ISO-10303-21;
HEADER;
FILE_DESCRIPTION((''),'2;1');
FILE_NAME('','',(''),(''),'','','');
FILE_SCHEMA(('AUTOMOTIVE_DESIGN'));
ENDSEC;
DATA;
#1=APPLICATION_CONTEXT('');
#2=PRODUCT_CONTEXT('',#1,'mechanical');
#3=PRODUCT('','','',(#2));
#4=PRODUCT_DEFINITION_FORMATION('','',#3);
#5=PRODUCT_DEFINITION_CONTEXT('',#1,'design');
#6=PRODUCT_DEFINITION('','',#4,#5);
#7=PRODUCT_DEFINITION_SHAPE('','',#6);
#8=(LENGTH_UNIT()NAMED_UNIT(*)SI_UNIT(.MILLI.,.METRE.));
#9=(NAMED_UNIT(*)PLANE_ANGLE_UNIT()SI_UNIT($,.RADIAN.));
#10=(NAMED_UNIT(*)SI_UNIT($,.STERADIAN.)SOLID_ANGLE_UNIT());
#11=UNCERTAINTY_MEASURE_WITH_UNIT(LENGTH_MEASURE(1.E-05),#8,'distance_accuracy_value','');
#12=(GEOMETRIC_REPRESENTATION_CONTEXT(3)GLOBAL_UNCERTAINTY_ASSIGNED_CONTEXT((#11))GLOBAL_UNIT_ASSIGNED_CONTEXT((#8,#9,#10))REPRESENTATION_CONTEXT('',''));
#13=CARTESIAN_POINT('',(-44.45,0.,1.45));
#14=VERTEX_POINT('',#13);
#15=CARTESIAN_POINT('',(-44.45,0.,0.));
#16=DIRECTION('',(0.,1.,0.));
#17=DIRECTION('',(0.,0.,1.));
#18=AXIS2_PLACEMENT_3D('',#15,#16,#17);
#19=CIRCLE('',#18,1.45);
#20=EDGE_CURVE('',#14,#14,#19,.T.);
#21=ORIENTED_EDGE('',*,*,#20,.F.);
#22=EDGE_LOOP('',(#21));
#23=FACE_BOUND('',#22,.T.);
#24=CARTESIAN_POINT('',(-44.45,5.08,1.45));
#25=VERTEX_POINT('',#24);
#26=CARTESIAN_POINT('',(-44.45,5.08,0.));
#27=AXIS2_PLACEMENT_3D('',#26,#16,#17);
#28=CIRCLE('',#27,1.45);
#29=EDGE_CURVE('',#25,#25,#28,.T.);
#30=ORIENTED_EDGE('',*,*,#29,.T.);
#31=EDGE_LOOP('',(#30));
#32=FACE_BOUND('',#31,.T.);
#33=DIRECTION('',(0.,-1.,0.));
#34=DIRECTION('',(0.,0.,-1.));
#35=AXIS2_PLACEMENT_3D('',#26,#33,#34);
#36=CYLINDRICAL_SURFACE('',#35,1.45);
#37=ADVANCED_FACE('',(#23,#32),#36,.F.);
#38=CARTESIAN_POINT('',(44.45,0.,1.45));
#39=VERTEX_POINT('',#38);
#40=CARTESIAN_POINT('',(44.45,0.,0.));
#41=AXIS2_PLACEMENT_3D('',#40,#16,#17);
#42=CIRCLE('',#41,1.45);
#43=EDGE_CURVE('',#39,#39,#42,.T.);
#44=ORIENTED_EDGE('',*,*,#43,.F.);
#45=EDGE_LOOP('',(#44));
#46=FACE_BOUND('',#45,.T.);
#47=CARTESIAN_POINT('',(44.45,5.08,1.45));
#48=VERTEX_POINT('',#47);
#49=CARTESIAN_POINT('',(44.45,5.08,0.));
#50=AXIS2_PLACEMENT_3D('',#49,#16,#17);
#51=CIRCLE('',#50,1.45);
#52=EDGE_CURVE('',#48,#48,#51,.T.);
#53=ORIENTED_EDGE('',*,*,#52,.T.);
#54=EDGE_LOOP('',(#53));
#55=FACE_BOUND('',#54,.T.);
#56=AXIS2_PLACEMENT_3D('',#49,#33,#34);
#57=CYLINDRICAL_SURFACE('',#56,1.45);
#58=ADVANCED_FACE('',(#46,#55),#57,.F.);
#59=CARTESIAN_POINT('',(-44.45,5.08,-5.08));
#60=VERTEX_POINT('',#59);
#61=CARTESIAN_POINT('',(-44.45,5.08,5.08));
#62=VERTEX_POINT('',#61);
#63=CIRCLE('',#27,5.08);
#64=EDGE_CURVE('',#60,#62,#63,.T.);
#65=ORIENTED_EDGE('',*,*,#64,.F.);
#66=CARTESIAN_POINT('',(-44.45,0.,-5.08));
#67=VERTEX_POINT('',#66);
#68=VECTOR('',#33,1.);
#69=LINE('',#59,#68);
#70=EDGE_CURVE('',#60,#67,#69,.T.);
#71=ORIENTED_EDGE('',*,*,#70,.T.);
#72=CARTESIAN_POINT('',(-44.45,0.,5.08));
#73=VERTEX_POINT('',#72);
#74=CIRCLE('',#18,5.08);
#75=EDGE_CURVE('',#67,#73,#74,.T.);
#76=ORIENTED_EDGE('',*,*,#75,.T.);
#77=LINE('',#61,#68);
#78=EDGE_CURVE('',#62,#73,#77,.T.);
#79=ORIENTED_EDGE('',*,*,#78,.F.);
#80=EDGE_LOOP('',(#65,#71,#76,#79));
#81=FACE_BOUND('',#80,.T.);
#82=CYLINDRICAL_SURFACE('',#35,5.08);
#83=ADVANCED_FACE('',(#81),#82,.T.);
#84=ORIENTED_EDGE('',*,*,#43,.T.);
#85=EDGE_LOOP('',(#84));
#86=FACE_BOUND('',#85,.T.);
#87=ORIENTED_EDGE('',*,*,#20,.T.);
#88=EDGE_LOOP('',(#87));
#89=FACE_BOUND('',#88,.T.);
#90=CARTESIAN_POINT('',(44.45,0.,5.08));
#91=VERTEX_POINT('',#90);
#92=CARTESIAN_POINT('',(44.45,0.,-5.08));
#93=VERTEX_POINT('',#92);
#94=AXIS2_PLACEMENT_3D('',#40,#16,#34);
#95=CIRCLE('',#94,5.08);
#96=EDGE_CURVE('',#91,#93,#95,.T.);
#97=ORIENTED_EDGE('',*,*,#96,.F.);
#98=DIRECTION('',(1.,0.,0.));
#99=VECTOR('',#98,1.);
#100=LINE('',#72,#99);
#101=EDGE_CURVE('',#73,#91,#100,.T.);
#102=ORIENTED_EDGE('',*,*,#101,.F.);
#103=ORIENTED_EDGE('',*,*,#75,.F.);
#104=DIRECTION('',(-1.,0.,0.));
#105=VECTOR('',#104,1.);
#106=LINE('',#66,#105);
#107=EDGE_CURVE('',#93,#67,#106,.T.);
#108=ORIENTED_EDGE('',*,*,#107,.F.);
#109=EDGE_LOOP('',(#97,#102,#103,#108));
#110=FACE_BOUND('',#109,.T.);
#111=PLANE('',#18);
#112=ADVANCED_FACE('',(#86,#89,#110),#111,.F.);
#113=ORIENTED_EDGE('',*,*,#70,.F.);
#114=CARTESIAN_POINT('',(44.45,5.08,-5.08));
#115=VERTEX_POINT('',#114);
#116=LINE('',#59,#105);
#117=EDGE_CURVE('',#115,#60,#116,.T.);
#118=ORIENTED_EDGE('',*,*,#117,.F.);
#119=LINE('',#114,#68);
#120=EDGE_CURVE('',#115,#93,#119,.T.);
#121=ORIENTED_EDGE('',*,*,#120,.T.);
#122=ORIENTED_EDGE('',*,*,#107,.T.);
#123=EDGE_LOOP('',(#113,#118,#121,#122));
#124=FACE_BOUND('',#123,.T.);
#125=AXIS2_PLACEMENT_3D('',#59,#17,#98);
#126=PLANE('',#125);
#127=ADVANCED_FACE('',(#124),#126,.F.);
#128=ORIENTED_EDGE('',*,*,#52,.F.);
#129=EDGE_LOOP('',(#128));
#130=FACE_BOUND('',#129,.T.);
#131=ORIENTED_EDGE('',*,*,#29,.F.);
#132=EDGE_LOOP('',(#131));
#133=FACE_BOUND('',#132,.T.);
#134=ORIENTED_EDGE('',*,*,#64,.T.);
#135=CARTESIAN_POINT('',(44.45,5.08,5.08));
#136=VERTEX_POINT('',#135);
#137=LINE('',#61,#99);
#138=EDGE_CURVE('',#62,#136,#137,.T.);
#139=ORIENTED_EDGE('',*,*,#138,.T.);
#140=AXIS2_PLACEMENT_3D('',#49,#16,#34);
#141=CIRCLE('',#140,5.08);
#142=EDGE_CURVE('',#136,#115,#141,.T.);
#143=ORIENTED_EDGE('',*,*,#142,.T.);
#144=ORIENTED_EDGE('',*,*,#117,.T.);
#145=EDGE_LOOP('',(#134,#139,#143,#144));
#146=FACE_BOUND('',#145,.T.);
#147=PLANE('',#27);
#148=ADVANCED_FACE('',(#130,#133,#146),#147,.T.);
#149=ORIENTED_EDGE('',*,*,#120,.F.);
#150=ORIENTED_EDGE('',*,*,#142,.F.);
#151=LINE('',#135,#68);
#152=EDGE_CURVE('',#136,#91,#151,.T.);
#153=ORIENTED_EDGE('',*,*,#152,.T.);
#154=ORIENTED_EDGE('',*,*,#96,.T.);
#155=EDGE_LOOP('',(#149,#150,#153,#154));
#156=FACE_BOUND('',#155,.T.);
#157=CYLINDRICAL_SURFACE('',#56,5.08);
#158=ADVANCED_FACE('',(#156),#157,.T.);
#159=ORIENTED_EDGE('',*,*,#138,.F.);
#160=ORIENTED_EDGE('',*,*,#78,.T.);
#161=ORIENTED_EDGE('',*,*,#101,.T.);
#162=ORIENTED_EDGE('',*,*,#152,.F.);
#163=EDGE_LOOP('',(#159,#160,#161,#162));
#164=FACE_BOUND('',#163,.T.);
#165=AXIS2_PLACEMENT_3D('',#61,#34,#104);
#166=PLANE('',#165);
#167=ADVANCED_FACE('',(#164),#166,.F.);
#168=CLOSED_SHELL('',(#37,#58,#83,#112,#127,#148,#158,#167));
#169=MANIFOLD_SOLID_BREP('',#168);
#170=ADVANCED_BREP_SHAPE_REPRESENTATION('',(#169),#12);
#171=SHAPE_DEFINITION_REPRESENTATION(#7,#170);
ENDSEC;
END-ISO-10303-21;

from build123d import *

# Parameters (mm, degrees)
SKETCH1_R           = 1.45
BOSS_EXTRUDE1_DEPTH = 5.08


with BuildPart() as part:
    # Sketch1 → Boss-Extrude1 (new body)
    with BuildSketch(Plane(origin=(0, 0, 0), x_dir=(1, 0, 0), z_dir=(0, 1, 0))):
        with BuildLine():
            Line((-44.45, 5.08), (44.45, 5.08))
            ThreePointArc((44.45, 5.08), (49.53, 0), (44.45, -5.08))
            Line((44.45, -5.08), (-44.45, -5.08))
            ThreePointArc((-44.45, -5.08), (-49.53, 0), (-44.45, 5.08))
        make_face()
        with Locations(Location((-44.45, 0, 0), (0, 0, 270))):
            Circle(SKETCH1_R, mode=Mode.SUBTRACT)
        with Locations(Location((44.45, 0, 0), (0, 0, 270))):
            Circle(SKETCH1_R, mode=Mode.SUBTRACT)
    extrude(amount=BOSS_EXTRUDE1_DEPTH)


solid = part.part
